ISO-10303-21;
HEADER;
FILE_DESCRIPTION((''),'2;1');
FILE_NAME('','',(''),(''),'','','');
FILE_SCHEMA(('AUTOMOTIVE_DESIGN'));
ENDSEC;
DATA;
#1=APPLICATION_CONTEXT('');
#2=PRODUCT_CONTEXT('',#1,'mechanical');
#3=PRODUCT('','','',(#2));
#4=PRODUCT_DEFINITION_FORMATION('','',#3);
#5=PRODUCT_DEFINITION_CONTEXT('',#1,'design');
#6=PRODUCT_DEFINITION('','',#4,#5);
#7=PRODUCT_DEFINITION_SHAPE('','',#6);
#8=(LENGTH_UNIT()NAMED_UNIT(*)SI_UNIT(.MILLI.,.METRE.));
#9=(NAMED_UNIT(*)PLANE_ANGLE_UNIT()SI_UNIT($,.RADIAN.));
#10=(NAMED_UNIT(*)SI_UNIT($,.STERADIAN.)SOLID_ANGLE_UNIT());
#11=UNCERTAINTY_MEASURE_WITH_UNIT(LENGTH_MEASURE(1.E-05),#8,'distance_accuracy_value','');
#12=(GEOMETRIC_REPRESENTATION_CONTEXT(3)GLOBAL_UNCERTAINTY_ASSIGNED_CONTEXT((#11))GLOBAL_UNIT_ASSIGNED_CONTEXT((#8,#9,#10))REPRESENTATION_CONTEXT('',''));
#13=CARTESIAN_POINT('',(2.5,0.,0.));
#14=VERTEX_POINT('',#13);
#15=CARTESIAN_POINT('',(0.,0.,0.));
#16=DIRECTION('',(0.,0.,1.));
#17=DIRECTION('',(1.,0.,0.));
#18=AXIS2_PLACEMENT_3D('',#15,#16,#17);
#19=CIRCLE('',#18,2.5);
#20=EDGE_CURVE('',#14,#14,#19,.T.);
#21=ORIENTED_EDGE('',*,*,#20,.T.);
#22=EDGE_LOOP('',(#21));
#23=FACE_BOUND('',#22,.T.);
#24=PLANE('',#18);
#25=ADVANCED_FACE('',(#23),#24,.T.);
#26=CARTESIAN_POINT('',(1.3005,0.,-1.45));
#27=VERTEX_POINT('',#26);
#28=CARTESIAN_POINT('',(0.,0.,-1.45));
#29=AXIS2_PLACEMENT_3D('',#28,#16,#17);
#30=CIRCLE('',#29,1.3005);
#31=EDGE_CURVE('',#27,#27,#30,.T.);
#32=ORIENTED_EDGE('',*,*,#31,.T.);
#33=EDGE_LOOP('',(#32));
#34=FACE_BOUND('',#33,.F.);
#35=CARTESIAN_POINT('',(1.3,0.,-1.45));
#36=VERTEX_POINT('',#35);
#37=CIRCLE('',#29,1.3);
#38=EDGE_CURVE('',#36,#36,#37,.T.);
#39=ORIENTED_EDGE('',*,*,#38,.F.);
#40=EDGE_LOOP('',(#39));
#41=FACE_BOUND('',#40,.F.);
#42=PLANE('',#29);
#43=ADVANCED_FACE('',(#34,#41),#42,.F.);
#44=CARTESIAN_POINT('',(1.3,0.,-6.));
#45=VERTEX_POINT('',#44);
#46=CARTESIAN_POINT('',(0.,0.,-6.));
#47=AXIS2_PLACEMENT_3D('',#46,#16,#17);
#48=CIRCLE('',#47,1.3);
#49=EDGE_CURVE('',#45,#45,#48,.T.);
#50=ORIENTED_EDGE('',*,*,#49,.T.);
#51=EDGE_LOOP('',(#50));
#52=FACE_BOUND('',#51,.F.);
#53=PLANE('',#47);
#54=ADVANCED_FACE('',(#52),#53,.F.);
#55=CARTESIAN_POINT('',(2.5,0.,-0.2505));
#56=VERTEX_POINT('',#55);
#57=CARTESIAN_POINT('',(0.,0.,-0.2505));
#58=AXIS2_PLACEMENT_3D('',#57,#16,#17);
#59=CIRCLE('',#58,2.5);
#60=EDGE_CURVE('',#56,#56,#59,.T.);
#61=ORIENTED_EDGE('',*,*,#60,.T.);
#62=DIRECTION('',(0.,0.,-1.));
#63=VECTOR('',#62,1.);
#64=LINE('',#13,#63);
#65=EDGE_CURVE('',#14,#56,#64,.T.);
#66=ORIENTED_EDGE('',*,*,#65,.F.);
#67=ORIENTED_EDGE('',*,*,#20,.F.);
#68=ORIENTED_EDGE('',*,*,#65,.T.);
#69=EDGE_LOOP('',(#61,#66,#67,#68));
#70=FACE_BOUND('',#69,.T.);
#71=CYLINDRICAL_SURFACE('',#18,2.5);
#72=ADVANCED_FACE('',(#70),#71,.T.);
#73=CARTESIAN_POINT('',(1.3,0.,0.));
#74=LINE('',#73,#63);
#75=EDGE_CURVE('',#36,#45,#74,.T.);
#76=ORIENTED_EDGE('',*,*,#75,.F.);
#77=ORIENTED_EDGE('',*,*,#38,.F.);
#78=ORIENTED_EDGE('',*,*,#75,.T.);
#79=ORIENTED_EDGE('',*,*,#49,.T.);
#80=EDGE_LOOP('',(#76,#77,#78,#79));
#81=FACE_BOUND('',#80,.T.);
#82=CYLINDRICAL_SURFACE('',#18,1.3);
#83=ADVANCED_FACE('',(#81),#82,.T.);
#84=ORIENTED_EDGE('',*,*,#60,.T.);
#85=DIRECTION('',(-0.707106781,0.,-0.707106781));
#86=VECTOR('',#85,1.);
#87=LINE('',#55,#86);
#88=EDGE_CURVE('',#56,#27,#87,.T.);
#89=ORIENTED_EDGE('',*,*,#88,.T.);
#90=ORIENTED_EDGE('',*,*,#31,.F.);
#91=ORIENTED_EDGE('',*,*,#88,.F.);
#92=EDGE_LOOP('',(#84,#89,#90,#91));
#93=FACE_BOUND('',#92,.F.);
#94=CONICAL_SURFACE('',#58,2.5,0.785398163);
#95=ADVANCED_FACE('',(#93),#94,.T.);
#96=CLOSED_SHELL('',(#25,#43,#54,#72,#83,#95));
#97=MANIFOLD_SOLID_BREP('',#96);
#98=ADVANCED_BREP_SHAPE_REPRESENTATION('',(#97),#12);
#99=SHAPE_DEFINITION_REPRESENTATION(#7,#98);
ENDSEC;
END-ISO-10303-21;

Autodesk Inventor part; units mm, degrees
ref_plane "YZ Plane" through (0, 0, 0) normal (1, 0, 0) x (0, 1, 0)
ref_plane "XZ Plane" through (0, 0, 0) normal (0, 1, 0) x (-1, 0, 0)
ref_plane "XY Plane" through (0, 0, 0) normal (0, 0, 1) x (1, 0, 0)
sketch "スケッチ1" plane through (0, 0, 0) normal (0, 0, 1) x (1, 0, 0)
  circle A0 centre (0, 0) radius 1.3
  dimension "d0" = 2.6
extrude "押し出し1" add sketch "スケッチ1" against normal blind 6
sketch "スケッチ2" plane through (0, 0, 0) normal (0, 0, 1) x (1, 0, 0)
  circle A0 centre (0, 0) radius 2.5
  dimension "d3" = 5
extrude "押し出し2" add sketch "スケッチ2" against normal blind 1.45
chamfer "面取り3" distance 1.2 angle 45 1 edges at (-2.5, 0, -1.45)
thread "ねじ1" size "M2.6x0.45" class "6g" standard "ANSI Metric M Profile" full length
properties part number "ネジ皿m2.6,06" material "鋼、高強度、低合金"
